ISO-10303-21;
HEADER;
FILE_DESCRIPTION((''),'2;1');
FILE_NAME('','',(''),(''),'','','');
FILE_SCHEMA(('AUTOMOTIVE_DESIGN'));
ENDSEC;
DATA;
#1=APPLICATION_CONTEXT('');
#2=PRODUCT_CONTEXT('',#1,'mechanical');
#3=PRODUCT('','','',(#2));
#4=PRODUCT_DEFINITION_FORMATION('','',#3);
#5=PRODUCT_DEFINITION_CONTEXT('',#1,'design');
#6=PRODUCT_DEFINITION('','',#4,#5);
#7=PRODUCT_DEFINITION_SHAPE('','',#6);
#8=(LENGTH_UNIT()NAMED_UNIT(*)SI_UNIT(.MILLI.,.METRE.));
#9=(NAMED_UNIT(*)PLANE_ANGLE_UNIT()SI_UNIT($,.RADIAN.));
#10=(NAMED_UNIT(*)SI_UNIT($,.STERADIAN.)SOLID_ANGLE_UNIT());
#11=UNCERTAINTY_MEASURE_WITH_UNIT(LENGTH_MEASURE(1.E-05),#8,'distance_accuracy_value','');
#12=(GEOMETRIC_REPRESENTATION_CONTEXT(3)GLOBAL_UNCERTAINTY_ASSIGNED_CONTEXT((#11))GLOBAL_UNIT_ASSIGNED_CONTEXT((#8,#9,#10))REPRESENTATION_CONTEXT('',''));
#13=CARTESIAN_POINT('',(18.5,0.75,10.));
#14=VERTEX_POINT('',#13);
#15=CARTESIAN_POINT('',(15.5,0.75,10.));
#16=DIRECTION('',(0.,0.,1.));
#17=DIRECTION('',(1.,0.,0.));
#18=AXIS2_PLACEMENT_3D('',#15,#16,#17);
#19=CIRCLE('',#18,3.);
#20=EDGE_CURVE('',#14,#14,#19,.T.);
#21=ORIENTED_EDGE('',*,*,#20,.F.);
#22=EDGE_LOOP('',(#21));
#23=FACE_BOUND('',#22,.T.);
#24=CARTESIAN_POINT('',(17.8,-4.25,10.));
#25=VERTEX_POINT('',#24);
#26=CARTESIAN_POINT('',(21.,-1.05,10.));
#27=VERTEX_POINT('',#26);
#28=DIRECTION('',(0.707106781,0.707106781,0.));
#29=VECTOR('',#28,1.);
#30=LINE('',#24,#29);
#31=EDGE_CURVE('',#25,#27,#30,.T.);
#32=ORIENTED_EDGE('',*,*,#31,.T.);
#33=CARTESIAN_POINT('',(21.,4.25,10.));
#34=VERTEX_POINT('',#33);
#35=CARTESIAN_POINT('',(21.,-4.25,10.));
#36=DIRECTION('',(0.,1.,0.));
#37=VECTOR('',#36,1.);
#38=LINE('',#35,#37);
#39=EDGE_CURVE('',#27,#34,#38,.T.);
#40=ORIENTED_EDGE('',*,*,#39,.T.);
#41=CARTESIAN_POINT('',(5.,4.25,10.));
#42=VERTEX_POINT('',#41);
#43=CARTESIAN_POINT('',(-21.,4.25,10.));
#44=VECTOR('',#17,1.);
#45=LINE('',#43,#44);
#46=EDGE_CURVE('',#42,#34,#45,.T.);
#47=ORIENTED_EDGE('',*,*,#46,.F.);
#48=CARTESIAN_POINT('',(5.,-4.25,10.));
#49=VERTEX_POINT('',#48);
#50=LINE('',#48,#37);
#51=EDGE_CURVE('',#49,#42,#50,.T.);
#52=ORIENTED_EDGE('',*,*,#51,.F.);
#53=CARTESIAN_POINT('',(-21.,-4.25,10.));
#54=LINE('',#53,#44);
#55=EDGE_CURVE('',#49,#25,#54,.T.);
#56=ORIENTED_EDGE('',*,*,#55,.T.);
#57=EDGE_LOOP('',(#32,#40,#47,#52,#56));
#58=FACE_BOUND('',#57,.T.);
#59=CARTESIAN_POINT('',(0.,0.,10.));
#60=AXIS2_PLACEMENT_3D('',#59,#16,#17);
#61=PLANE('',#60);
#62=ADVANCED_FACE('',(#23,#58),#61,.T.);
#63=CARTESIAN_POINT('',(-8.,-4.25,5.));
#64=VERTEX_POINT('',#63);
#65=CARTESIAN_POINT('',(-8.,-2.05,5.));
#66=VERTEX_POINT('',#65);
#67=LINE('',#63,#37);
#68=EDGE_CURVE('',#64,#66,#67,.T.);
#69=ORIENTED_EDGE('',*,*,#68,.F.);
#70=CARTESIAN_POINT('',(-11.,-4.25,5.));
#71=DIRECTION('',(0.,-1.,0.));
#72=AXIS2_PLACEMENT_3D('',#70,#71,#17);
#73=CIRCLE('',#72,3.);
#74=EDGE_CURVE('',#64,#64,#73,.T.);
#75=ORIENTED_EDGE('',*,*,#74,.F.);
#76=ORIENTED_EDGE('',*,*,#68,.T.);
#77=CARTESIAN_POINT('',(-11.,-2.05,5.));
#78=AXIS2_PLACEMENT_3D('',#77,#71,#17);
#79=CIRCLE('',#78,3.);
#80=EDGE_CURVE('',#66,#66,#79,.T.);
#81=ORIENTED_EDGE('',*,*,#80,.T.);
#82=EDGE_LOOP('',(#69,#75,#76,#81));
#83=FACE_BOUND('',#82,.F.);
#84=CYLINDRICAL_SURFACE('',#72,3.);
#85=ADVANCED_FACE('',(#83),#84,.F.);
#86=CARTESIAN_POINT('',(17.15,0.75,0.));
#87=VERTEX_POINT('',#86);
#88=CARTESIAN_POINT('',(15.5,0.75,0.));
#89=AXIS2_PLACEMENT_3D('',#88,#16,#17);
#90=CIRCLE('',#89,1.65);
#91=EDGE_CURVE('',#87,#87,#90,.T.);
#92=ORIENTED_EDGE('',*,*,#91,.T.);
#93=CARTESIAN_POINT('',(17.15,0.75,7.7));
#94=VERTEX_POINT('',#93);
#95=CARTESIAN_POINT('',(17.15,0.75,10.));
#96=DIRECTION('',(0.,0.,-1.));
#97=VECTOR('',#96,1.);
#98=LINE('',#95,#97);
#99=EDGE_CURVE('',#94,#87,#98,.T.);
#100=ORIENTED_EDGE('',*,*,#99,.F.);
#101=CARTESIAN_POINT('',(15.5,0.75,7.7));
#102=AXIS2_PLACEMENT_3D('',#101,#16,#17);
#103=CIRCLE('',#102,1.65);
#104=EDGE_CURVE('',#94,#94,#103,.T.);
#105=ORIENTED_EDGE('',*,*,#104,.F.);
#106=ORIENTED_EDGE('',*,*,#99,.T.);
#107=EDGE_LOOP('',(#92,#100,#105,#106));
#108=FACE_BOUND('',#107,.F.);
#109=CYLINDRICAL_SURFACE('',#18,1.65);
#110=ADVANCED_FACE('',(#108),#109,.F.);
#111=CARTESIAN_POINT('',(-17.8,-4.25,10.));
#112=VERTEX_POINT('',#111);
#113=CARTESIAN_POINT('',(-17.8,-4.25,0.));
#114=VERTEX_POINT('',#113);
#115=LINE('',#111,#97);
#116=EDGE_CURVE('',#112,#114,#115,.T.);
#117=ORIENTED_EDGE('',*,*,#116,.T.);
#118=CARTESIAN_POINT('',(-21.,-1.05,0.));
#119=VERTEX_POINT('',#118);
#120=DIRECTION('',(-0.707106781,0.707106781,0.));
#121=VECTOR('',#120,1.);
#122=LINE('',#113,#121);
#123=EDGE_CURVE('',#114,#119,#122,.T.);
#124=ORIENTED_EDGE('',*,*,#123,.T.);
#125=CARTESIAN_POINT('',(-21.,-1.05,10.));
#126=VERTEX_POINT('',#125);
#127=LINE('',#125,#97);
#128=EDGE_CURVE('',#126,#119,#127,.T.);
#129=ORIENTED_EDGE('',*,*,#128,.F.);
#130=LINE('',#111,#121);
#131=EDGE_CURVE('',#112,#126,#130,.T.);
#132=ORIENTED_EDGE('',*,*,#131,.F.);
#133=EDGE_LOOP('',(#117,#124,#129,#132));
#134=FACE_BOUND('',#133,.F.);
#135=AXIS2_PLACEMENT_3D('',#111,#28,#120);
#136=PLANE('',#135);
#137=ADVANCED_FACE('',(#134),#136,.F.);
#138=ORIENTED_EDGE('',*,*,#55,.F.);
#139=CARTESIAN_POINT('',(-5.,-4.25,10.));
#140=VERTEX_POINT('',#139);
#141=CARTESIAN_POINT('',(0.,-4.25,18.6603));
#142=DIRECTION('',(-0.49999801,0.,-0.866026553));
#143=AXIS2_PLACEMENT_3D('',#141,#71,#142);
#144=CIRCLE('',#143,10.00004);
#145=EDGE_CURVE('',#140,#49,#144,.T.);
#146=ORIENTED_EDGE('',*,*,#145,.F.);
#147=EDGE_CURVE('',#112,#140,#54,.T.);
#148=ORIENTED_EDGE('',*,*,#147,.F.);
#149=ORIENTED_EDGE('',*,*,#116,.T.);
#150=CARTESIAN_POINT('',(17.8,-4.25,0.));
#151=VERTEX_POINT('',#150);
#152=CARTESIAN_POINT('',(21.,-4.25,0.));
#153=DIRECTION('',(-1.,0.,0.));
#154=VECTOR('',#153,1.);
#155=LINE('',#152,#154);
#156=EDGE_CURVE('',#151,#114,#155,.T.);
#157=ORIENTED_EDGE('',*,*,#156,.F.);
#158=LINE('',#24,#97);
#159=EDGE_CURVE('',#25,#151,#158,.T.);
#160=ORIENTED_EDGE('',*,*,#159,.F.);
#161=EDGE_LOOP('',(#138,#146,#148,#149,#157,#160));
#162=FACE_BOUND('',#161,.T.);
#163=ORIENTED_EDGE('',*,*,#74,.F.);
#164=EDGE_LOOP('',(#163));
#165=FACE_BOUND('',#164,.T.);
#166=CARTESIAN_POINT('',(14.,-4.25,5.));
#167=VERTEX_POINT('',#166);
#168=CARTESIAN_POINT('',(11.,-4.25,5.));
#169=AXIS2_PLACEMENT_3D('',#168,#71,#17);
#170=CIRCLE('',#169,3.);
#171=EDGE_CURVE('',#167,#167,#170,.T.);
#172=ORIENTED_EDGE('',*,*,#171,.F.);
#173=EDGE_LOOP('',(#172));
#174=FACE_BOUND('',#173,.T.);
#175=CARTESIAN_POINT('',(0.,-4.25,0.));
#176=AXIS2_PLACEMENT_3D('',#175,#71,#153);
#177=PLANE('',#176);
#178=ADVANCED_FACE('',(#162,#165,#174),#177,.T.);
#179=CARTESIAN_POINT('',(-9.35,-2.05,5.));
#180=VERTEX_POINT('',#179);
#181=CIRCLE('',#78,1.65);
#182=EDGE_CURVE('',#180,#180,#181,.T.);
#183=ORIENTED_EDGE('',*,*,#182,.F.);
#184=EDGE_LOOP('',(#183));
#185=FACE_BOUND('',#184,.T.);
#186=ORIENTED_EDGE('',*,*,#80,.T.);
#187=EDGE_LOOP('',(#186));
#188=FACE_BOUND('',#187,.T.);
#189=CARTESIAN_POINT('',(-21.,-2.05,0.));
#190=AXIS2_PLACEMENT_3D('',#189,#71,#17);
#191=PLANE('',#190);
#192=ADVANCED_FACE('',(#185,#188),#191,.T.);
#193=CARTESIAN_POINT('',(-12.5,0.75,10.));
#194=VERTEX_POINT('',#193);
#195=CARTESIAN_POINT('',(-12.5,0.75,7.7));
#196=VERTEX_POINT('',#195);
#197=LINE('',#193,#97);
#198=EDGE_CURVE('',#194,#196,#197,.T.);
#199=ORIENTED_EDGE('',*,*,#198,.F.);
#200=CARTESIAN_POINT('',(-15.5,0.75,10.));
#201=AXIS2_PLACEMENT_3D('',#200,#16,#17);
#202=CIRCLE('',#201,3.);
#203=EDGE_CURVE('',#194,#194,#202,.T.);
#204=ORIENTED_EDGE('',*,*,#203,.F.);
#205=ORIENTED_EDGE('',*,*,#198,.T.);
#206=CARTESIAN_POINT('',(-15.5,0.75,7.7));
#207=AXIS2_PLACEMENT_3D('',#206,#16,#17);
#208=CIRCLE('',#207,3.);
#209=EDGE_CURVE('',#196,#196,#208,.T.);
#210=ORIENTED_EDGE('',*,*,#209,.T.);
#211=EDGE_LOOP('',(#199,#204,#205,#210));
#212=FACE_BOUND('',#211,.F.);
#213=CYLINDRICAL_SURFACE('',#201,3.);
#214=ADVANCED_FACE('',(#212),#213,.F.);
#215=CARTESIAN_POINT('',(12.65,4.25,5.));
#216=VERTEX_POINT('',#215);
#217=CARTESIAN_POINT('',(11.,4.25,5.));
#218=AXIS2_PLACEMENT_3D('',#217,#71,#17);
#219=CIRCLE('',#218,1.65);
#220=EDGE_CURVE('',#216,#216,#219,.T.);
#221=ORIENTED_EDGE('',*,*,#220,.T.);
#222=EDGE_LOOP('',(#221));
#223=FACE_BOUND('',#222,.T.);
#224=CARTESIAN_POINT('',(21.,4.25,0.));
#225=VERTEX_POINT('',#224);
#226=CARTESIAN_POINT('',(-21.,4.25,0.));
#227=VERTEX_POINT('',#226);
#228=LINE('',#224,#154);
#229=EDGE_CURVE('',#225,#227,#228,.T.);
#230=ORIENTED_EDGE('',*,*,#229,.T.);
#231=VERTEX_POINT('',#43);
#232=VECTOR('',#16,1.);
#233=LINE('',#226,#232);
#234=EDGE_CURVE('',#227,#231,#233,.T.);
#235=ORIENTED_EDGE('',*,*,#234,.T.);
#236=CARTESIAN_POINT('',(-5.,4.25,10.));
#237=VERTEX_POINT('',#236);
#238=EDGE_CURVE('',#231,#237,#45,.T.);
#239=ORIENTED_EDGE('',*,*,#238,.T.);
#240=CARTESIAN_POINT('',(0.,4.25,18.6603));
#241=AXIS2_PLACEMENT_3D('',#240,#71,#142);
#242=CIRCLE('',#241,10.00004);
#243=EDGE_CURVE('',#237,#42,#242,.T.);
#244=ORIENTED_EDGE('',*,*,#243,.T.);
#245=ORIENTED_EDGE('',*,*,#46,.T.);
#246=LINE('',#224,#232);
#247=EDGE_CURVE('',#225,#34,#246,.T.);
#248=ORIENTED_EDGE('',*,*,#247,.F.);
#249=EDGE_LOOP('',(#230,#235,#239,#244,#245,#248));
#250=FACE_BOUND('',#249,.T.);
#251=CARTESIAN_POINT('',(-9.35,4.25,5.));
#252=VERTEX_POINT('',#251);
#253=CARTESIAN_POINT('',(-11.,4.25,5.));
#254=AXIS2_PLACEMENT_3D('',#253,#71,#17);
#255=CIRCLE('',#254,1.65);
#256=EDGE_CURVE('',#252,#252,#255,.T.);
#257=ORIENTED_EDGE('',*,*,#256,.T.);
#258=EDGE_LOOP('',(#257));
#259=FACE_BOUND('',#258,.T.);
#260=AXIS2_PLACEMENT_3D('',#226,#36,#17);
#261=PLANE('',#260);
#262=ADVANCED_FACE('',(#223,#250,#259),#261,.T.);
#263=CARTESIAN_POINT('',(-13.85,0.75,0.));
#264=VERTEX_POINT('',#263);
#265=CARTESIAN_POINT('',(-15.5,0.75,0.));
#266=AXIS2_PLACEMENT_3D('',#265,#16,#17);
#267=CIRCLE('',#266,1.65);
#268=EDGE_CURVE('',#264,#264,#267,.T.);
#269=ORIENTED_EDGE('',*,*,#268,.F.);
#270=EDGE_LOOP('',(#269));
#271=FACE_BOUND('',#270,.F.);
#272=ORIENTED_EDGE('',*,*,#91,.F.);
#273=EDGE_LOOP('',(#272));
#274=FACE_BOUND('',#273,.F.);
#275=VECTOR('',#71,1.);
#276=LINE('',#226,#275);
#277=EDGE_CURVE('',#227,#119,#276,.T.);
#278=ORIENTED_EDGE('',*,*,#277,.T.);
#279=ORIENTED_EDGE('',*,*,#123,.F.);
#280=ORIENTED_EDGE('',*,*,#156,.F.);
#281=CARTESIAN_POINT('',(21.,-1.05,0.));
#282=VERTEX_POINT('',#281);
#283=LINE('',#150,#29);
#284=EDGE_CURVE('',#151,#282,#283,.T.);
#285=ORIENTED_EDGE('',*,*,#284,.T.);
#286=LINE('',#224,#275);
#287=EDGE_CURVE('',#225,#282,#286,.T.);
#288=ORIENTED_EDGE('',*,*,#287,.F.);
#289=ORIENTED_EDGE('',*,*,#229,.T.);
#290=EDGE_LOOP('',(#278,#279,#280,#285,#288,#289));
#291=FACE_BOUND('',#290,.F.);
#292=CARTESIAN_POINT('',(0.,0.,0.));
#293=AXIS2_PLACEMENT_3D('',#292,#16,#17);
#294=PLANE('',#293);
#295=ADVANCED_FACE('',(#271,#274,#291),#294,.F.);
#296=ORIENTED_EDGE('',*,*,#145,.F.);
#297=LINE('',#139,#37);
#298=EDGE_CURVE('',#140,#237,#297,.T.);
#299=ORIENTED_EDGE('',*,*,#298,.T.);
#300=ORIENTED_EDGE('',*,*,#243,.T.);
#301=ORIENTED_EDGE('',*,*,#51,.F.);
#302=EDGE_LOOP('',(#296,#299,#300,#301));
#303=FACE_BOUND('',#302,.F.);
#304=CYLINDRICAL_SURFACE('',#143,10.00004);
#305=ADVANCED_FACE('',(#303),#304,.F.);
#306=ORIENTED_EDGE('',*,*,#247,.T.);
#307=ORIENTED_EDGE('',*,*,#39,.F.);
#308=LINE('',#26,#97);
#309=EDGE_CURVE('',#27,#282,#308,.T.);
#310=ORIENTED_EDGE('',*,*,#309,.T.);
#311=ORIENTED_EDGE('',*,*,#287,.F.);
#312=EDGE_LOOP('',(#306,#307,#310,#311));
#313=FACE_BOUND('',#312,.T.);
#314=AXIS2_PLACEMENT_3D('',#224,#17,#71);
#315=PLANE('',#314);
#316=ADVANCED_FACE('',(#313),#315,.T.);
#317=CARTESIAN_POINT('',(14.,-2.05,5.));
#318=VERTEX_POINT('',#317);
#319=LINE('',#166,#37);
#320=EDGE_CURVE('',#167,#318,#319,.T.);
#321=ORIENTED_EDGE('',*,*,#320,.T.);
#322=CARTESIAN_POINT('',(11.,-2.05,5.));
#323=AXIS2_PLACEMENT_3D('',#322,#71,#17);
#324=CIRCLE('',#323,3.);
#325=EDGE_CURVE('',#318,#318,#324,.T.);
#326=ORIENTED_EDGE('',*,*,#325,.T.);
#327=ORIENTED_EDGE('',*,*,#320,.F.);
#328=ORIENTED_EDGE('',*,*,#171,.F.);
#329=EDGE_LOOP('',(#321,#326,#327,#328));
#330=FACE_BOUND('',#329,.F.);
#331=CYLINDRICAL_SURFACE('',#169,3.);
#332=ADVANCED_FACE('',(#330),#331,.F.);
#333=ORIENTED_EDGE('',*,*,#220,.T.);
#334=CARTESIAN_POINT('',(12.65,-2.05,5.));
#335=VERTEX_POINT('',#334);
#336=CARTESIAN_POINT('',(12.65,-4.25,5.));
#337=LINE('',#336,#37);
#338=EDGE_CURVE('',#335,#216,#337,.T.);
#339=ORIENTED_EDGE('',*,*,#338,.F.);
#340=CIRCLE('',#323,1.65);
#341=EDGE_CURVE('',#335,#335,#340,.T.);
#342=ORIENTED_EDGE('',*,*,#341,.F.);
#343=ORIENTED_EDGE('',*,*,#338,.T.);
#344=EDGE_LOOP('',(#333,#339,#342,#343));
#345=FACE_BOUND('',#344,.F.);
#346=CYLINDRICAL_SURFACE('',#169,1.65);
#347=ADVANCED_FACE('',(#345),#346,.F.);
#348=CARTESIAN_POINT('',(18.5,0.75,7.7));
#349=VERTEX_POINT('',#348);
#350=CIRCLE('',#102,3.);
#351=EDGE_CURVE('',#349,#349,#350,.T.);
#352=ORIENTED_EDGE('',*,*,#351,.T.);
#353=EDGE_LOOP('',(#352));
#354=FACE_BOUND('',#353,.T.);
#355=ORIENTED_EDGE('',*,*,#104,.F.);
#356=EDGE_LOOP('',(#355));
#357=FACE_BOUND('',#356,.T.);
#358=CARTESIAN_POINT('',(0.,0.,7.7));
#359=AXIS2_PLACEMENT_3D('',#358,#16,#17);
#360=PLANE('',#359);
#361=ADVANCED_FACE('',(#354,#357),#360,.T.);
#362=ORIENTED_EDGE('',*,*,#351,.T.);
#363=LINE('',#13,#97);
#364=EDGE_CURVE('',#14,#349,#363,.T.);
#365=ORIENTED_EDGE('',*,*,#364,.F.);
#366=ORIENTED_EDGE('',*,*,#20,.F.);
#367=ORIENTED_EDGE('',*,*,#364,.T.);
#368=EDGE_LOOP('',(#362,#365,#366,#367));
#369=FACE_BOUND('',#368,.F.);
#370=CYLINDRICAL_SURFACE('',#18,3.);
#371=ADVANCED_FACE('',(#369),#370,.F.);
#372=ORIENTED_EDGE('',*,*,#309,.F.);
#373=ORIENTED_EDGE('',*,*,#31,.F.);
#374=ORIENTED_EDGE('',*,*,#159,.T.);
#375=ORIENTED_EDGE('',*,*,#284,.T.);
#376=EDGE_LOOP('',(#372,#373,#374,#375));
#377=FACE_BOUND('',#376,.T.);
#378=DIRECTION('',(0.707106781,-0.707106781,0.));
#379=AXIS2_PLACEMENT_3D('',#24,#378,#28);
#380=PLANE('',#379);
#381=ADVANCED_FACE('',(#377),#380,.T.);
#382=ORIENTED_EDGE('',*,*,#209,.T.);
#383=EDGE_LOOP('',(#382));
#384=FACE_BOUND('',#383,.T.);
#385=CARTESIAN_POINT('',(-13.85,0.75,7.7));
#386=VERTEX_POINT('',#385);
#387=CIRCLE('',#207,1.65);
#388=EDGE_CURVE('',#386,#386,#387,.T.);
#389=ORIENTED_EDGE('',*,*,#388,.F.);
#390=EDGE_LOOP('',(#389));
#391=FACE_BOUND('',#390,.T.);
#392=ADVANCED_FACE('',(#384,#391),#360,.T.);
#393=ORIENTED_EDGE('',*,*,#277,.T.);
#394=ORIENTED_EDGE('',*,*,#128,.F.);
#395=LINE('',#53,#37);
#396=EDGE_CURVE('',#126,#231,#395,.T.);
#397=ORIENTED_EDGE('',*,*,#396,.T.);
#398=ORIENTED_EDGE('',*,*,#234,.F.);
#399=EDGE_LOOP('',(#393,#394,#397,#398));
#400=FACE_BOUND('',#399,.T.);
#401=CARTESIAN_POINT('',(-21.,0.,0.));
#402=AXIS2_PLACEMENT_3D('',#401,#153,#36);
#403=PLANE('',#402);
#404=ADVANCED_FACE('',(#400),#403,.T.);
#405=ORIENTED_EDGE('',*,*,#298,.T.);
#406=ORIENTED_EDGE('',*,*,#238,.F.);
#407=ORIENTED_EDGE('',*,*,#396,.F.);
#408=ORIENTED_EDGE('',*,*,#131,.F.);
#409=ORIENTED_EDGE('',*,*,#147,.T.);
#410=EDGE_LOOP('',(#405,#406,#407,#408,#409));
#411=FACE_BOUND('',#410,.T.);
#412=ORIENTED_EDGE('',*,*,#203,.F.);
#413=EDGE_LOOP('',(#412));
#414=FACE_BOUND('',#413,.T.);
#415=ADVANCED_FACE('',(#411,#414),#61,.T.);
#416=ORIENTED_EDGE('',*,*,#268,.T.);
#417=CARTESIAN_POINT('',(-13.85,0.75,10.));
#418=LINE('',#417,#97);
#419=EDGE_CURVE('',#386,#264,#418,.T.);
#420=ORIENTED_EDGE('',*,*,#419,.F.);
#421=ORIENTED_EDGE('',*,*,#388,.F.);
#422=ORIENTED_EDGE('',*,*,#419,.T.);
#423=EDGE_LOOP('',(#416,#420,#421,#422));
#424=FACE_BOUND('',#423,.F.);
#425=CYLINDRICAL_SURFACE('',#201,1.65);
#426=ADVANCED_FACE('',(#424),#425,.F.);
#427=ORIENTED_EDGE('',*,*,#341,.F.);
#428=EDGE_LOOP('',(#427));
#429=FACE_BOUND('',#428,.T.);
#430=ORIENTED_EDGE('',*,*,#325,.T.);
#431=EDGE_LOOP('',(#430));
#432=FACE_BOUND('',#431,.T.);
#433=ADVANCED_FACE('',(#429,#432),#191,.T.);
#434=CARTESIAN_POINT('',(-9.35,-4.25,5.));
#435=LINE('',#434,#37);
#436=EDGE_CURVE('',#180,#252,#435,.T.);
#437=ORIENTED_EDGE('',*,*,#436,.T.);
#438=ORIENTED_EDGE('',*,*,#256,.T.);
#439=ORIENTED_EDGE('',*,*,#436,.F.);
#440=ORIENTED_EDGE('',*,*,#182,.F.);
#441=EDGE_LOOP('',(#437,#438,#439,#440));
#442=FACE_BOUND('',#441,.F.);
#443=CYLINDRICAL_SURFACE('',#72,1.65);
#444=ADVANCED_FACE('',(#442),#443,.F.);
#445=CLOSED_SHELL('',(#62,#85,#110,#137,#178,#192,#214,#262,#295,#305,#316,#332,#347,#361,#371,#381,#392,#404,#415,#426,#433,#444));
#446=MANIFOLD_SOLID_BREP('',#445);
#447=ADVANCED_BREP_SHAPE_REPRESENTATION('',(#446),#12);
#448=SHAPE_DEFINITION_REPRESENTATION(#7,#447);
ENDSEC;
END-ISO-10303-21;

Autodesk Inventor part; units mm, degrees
ref_plane "YZ Plane" through (0, 0, 0) normal (1, 0, 0) x (0, 1, 0)
ref_plane "XZ Plane" through (0, 0, 0) normal (0, 1, 0) x (-1, 0, 0)
ref_plane "XY Plane" through (0, 0, 0) normal (0, 0, 1) x (1, 0, 0)
sketch "草圖1" plane through (0, 0, 0) normal (0, 0, 1) x (1, 0, 0)
  line L0 (-29.4, 0) -> (29.4, 0) projected
  line L1 (0, -5.95) -> (0, 5.95) projected
  line L2 (-21, 4.25) -> (21, 4.25)
  line L3 (21, 4.25) -> (21, -4.25)
  line L4 (21, -4.25) -> (-21, -4.25)
  line L5 (-21, -4.25) -> (-21, 4.25)
  point P0 (0, 0)
  dimension "d0" = 8.5
  dimension "d1" = 42
extrude "擠出1" add sketch "草圖1" along normal blind 10
sketch "草圖2" plane through (-21, -4.25, 0) normal (0, -1, 0) x (1, 0, 0)
  line L0 (0, 0) -> (42, 0) projected
  line L1 (42, 0) -> (42, 10) projected
  line L2 (0, 10) -> (42, 10) projected
  line L3 (0, 0) -> (0, 10) projected
  circle A0 centre (10, 5) radius 4
  circle A1 centre (10, 5) radius 3
  circle A2 centre (10, 5) radius 1.65
  line L4 (21, 0) -> (21, -1.5889)
  circle A3 centre (32, 5) radius 4
  circle A4 centre (32, 5) radius 3
  circle A5 centre (32, 5) radius 1.65
  dimension "d4" = 6
  dimension "d5" = 3.3
  dimension "d6" = 10
  dimension "d29" = 5
extrude "擠出2" cut sketch "草圖2" against normal blind 10 contours A2 | A5
extrude "擠出3" cut sketch "草圖2" against normal blind 2.2 contours A1 | A4
sketch "草圖3" plane through (0, 0, 10) normal (0, 0, 1) x (1, 0, 0)
  line L0 (-21, -4.25) -> (21, -4.25) projected
  line L1 (21, -4.25) -> (21, 4.25) projected
  line L2 (21, 4.25) -> (-21, 4.25) projected
  line L3 (-21, 4.25) -> (-21, -4.25) projected
  line L4 (-17.8, -4.25) -> (-21, -1.05)
  line L5 (0, 4.25) -> (0, 6.2817)
  line L6 (17.8, -4.25) -> (21, -1.05)
  line L7 (17.8, -4.25) -> (22.3255, -4.25) construction
  circle A0 centre (-15.5, 0.75) radius 1.65
  circle A1 centre (-15.5, 0.75) radius 3
  circle A2 centre (15.5, 0.75) radius 1.65
  circle A3 centre (15.5, 0.75) radius 3
  point P0 (0, 0)
  dimension "d11" = 3.2
  dimension "d12" = 45
  dimension "d13" = 45
  dimension "d14" = 3.2
  dimension "d15" = 3.3
  dimension "d16" = 6
  dimension "d17" = 5.5
  dimension "d24" = 3.5
extrude "擠出4" cut sketch "草圖3" against normal up to surface (10 mm away) contours L3 L4 L0 | L6 L1 L0 | A0 | A2
extrude "擠出6" cut sketch "草圖3" against normal blind 2.3 contours A1 | A3
sketch "草圖4" plane through (-17.8, -4.25, 0) normal (0, -1, 0) x (1, 0, 0)
  line L0 (0, 10) -> (0, 0) projected
  line L1 (0, 0) -> (35.6, 0) projected
  line L2 (35.6, 0) -> (35.6, 10) projected
  line L3 (0, 10) -> (35.6, 10) projected
  circle A0 centre (28.8, 5) radius 3 projected
  circle A1 centre (6.8, 5) radius 3 projected
  arc A2 (12.8, 10) -> (22.8, 10) centre (17.8, 18.6603) ccw
  line L4 (17.8, 10) -> (17.8, 8.9301)
  point P0 (17.8, 0)
  dimension "d25" = 10
  dimension "d26" = 10
extrude "擠出7" cut sketch "草圖4" against normal up to surface (8.5 mm away) contours L3 A2
equation "\"d27\" = d25"
properties part number "y_motor_lock_bottom1_3D 列印"
